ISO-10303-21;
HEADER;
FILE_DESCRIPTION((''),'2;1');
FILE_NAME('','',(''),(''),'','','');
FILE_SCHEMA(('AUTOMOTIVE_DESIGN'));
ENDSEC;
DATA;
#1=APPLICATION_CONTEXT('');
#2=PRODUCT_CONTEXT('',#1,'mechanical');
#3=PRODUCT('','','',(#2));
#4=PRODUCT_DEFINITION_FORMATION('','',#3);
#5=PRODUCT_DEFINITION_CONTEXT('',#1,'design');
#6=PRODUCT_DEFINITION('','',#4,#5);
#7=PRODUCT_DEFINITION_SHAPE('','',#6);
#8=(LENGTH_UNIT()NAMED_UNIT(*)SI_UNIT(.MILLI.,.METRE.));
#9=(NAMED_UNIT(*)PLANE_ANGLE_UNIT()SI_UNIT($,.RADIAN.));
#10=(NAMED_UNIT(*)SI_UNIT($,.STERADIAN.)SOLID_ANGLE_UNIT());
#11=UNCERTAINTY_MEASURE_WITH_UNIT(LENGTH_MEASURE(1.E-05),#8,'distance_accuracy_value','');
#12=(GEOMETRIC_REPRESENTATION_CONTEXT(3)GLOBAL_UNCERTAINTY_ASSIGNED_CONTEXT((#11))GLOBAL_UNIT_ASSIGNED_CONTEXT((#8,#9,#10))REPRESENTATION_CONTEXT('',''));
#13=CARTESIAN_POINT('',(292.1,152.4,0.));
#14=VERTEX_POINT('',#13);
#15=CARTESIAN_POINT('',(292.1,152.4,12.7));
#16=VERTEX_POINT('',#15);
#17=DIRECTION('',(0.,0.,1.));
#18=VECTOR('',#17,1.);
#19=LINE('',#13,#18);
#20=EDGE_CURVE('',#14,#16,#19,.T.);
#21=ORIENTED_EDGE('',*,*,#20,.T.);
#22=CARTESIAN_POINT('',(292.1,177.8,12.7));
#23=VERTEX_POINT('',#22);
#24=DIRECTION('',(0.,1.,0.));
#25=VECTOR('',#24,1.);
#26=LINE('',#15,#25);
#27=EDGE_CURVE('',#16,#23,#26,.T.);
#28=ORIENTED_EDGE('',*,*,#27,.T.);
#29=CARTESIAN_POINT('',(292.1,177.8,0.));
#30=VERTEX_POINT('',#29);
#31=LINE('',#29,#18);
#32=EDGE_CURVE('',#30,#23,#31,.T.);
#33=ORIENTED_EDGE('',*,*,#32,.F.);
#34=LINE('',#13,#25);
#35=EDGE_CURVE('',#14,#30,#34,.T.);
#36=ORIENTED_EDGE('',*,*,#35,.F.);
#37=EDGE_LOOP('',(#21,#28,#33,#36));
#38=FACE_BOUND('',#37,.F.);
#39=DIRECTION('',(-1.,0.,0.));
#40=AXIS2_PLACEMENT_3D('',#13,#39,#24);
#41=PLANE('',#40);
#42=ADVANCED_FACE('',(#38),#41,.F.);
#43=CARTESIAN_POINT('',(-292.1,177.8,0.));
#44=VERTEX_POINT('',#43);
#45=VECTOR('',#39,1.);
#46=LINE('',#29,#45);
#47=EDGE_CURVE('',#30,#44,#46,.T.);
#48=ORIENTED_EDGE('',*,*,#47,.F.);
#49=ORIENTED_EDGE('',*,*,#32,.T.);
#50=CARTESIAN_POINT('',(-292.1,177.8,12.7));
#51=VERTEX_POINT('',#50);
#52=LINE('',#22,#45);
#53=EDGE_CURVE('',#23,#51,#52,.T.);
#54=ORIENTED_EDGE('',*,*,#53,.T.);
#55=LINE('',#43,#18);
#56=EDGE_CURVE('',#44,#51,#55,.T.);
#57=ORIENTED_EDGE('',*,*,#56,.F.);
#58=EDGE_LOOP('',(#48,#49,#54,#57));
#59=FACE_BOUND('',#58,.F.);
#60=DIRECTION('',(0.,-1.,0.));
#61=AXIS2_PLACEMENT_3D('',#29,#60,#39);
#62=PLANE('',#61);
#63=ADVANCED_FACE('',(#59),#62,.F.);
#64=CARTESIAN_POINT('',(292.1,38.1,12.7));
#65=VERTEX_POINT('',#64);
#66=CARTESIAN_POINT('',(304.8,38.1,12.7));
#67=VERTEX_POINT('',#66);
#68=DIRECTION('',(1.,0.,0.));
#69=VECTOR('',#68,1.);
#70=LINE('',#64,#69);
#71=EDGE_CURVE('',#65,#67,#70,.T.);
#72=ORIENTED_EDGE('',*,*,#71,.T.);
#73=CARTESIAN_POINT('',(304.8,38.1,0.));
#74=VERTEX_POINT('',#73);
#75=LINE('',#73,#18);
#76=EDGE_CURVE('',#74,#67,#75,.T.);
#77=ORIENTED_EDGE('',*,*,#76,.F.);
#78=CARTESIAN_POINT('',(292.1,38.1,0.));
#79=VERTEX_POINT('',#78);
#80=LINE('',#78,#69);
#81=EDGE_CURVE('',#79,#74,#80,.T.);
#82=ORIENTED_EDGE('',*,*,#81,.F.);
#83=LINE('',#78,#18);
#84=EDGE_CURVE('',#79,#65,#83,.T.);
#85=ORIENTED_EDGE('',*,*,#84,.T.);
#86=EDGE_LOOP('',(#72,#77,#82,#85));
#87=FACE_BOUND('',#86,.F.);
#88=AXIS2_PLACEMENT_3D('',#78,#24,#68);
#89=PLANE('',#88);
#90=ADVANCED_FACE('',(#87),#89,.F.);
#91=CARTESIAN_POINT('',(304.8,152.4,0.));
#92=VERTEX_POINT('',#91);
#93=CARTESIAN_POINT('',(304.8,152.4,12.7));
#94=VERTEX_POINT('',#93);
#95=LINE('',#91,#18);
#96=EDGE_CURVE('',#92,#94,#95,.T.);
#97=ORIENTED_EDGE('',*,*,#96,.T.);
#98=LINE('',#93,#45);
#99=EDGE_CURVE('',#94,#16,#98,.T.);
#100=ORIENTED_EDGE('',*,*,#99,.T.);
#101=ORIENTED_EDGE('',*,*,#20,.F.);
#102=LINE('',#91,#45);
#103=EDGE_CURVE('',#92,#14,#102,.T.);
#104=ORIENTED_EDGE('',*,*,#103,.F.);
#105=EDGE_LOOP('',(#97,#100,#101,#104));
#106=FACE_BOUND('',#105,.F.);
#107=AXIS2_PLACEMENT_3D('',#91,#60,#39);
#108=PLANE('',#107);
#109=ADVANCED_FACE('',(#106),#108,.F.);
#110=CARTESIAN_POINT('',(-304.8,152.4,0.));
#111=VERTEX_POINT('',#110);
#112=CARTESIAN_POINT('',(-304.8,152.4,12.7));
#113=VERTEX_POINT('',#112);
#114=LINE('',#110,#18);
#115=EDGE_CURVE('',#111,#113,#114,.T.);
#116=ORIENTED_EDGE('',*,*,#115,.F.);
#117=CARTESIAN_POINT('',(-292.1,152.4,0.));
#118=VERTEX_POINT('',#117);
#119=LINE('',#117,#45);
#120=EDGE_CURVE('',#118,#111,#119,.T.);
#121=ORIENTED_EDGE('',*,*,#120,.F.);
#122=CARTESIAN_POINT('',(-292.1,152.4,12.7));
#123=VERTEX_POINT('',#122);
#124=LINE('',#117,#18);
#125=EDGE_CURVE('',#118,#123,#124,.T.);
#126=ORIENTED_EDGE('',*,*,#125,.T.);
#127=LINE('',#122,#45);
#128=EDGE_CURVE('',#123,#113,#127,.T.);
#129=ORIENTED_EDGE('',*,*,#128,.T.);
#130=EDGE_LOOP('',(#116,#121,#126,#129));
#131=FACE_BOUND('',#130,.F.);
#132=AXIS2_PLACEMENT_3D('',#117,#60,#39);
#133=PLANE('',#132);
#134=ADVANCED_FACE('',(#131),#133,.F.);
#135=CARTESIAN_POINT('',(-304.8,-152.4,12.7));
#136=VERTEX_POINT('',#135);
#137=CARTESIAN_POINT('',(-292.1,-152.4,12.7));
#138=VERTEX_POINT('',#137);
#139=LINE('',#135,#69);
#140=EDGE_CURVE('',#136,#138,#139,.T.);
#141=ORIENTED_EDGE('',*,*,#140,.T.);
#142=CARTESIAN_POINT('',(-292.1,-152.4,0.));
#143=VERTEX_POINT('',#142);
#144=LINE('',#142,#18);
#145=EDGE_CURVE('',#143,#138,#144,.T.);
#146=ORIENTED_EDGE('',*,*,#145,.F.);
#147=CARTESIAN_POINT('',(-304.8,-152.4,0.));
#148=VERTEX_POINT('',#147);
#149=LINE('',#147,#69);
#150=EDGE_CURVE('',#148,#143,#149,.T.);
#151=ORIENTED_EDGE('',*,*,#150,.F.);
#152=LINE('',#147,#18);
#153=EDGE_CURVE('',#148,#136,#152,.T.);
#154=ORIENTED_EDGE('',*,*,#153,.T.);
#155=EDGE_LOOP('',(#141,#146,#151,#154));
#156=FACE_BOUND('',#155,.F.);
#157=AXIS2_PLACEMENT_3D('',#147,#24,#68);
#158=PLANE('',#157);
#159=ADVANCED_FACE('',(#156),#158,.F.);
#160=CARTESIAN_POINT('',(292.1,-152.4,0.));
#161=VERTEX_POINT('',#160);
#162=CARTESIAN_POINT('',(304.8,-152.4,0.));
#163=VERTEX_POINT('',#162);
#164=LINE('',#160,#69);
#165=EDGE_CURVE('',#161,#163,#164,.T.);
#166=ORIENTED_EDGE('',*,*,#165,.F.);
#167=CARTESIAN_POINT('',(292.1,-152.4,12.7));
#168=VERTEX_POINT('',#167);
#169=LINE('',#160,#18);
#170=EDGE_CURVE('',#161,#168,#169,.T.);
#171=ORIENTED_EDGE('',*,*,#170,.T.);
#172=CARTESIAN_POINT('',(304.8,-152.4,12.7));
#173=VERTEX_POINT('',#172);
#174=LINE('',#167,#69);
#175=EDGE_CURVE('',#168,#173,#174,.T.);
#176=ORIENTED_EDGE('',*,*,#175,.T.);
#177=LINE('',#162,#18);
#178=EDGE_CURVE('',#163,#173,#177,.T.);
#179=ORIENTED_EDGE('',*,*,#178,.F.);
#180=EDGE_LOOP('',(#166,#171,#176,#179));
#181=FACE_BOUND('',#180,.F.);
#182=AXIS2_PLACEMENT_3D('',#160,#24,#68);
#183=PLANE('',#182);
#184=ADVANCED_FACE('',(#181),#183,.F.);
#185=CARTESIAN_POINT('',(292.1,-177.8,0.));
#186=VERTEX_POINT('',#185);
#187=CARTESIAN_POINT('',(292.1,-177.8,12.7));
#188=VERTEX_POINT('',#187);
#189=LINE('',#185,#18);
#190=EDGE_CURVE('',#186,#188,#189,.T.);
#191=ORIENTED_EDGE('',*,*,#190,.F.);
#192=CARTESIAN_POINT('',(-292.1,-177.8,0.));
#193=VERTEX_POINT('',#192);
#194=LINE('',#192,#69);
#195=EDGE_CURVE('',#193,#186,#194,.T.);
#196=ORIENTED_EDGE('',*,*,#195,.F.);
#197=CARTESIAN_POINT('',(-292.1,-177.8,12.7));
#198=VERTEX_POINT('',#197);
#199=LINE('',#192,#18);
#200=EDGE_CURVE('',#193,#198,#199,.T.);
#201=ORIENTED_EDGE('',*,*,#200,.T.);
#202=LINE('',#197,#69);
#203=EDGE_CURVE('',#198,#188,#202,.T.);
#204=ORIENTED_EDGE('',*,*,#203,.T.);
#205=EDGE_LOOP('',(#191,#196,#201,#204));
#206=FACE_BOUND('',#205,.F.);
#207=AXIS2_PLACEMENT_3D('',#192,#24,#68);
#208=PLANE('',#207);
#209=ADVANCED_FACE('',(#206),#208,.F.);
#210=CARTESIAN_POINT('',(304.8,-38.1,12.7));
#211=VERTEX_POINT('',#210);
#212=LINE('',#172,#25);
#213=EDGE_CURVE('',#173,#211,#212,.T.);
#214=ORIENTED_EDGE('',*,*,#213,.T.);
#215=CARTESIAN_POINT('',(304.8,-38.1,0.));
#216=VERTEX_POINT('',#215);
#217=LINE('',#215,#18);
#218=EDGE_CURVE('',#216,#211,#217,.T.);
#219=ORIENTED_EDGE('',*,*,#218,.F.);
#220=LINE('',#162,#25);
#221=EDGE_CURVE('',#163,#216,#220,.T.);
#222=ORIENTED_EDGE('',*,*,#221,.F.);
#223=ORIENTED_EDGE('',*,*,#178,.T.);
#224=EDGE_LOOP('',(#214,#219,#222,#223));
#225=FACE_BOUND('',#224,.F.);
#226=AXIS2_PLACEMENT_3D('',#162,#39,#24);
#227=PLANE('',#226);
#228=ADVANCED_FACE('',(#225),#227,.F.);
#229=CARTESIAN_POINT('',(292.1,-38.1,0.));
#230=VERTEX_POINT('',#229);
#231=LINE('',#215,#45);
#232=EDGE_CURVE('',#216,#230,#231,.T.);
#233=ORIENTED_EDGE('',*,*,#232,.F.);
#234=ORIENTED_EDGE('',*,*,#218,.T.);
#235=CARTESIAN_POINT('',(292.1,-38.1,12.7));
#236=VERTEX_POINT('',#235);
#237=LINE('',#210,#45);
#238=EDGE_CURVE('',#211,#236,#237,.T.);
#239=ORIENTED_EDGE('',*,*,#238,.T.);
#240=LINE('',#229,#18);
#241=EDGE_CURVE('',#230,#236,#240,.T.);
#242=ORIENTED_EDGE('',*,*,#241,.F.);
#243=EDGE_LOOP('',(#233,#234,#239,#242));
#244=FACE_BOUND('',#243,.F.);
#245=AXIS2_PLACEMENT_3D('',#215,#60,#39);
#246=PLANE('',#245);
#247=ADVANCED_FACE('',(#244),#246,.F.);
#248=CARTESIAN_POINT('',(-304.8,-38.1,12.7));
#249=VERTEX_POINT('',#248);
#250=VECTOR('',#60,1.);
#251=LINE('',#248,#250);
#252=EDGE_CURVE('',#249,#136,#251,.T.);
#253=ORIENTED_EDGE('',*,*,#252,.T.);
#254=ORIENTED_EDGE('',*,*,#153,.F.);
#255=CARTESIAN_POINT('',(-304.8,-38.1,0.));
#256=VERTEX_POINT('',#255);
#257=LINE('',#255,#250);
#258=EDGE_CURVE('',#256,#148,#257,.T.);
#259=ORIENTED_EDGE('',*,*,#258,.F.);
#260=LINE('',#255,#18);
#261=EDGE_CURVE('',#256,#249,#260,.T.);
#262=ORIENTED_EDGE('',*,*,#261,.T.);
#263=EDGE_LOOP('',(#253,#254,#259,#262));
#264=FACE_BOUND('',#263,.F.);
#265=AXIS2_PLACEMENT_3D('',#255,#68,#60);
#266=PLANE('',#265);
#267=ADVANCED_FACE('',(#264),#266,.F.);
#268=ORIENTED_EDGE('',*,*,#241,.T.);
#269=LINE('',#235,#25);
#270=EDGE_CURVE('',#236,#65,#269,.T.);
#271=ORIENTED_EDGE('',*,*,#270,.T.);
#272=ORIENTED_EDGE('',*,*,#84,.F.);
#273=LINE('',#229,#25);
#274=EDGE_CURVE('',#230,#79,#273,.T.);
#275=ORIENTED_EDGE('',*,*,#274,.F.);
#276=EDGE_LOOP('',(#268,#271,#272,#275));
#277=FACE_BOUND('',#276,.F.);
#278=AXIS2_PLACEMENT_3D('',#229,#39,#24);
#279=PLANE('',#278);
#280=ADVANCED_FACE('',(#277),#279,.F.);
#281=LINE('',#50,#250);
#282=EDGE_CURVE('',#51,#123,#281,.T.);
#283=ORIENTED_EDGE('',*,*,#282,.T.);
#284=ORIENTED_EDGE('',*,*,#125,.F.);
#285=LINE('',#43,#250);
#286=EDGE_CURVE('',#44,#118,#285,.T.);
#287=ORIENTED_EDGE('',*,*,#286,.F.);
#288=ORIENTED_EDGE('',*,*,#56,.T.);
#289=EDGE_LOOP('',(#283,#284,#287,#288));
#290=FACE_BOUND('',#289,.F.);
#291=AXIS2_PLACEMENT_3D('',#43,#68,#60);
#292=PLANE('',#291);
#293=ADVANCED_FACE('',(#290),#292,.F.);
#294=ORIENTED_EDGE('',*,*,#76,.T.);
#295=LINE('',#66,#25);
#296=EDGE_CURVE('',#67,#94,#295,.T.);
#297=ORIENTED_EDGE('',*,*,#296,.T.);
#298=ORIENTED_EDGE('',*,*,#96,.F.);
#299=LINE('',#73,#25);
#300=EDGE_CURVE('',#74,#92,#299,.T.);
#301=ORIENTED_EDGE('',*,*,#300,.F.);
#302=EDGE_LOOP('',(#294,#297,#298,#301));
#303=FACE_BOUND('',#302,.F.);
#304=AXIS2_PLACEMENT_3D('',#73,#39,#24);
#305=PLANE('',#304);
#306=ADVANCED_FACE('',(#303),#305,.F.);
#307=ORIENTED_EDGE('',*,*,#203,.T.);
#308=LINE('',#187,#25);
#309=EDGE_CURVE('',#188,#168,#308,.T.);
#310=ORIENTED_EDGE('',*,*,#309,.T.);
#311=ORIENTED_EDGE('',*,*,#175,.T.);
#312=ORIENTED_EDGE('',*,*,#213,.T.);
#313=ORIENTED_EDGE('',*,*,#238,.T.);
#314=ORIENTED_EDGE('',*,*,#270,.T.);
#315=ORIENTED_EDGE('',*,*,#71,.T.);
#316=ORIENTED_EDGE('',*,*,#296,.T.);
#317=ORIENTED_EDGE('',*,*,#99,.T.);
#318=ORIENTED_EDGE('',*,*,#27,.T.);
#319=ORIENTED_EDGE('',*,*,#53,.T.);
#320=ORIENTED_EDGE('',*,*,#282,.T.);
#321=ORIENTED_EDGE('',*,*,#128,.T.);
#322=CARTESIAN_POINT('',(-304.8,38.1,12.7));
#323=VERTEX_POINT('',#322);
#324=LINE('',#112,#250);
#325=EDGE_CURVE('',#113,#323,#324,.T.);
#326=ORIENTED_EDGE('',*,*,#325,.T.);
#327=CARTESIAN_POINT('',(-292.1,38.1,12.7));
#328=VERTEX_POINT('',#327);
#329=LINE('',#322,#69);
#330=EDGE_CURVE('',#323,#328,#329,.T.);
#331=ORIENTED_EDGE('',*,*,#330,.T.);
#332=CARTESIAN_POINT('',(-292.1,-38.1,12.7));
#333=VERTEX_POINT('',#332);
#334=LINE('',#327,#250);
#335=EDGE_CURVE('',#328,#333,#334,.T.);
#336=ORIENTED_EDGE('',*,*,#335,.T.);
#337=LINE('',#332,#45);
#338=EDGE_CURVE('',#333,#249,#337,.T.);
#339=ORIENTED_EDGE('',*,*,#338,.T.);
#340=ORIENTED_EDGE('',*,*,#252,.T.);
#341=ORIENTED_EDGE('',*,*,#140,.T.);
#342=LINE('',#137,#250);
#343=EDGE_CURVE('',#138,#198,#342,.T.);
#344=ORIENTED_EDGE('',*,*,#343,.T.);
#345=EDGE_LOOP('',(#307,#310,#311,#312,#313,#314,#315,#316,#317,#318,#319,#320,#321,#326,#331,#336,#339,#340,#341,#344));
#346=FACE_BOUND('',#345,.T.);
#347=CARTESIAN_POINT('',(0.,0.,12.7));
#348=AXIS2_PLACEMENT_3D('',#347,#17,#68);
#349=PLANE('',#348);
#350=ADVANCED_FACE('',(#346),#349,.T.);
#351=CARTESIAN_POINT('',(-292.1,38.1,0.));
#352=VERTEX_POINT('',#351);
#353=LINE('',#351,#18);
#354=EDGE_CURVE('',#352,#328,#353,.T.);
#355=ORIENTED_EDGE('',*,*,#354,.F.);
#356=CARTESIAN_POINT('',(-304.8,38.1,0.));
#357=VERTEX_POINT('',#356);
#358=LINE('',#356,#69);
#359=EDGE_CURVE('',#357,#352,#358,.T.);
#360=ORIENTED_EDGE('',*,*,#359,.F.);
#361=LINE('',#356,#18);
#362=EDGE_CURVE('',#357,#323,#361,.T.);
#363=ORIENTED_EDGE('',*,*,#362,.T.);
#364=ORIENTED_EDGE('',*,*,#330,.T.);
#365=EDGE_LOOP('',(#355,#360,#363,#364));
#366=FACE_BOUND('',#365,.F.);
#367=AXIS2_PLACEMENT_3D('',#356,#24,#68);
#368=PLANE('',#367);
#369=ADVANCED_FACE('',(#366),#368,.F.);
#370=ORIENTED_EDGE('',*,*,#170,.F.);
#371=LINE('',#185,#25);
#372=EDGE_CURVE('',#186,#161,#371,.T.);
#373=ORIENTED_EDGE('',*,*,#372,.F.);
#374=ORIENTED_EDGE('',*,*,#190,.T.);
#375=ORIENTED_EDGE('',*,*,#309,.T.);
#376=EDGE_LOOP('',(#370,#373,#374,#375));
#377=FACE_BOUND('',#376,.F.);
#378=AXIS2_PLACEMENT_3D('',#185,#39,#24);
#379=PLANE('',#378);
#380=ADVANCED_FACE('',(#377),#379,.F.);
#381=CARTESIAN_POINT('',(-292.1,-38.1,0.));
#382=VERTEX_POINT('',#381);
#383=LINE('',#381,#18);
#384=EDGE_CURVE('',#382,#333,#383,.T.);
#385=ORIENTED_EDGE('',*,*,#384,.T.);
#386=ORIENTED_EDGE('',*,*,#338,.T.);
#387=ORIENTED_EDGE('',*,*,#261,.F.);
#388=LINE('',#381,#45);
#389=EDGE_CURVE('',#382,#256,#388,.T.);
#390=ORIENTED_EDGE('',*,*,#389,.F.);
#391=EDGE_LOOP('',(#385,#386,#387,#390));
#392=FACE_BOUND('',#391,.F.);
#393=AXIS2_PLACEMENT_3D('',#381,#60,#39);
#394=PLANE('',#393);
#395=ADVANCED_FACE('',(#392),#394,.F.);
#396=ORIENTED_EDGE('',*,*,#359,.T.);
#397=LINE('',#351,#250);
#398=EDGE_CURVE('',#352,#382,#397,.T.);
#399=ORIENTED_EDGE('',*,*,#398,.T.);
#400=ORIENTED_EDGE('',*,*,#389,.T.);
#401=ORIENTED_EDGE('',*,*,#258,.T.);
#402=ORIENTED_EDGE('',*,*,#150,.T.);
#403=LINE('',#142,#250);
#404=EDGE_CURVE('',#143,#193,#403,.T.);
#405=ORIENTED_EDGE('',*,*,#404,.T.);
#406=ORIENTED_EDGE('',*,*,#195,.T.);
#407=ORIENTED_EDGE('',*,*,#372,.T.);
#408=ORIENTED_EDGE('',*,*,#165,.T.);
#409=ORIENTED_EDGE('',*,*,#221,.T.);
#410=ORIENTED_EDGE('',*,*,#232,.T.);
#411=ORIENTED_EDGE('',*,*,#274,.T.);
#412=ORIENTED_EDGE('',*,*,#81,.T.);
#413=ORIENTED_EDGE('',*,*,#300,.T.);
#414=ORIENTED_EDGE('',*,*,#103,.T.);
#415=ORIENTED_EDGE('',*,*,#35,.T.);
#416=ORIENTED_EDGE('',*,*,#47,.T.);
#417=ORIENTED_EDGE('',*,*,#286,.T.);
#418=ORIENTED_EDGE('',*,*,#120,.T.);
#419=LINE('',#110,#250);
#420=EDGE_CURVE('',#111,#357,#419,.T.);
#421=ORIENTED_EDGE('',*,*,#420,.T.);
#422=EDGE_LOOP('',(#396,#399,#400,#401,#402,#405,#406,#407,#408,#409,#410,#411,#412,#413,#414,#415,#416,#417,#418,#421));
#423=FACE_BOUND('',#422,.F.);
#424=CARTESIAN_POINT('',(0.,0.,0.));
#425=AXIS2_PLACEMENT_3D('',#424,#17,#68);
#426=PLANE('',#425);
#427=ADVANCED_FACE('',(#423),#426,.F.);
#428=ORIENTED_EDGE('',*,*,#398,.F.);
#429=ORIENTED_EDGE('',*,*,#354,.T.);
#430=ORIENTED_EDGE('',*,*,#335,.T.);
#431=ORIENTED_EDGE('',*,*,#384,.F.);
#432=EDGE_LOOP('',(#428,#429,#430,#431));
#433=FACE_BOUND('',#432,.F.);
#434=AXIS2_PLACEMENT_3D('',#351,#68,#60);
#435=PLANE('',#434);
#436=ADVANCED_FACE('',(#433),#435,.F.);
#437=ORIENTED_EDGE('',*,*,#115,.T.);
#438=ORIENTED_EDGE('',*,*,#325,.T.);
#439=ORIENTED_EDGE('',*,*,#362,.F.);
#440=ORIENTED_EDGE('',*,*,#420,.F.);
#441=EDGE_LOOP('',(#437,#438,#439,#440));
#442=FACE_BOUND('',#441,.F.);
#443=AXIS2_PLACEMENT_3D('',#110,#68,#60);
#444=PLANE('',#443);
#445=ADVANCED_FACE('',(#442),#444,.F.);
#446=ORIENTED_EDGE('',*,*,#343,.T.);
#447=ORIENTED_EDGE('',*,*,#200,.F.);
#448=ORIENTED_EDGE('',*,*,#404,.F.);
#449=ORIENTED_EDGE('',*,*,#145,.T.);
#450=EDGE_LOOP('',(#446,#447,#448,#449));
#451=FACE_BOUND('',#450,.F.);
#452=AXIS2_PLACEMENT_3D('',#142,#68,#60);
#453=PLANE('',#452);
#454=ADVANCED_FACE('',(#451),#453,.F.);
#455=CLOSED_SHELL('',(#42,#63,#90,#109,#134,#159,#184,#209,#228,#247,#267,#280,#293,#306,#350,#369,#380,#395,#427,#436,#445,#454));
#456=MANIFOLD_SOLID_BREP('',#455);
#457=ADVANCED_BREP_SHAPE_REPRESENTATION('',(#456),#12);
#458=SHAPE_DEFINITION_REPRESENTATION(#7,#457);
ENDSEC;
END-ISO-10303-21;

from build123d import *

# Parameters (mm, degrees)
F1_DEPTH = 12.7


with BuildPart() as f1:
    # F0 (on Top) → F1 (new body)
    with BuildSketch(Plane.XY):
        Polygon((292.1, 177.8), (-292.1, 177.8), (-292.1, 152.4), (-304.8, 152.4), (-304.8, 38.1), (-292.1, 38.1), (-292.1, -38.1), (-304.8, -38.1), (-304.8, -152.4), (-292.1, -152.4), (-292.1, -177.8), (292.1, -177.8), (292.1, -152.4), (304.8, -152.4), (304.8, -38.1), (292.1, -38.1), (292.1, 38.1), (304.8, 38.1), (304.8, 152.4), (292.1, 152.4), align=None)
    extrude(amount=F1_DEPTH)


solid = f1.part
